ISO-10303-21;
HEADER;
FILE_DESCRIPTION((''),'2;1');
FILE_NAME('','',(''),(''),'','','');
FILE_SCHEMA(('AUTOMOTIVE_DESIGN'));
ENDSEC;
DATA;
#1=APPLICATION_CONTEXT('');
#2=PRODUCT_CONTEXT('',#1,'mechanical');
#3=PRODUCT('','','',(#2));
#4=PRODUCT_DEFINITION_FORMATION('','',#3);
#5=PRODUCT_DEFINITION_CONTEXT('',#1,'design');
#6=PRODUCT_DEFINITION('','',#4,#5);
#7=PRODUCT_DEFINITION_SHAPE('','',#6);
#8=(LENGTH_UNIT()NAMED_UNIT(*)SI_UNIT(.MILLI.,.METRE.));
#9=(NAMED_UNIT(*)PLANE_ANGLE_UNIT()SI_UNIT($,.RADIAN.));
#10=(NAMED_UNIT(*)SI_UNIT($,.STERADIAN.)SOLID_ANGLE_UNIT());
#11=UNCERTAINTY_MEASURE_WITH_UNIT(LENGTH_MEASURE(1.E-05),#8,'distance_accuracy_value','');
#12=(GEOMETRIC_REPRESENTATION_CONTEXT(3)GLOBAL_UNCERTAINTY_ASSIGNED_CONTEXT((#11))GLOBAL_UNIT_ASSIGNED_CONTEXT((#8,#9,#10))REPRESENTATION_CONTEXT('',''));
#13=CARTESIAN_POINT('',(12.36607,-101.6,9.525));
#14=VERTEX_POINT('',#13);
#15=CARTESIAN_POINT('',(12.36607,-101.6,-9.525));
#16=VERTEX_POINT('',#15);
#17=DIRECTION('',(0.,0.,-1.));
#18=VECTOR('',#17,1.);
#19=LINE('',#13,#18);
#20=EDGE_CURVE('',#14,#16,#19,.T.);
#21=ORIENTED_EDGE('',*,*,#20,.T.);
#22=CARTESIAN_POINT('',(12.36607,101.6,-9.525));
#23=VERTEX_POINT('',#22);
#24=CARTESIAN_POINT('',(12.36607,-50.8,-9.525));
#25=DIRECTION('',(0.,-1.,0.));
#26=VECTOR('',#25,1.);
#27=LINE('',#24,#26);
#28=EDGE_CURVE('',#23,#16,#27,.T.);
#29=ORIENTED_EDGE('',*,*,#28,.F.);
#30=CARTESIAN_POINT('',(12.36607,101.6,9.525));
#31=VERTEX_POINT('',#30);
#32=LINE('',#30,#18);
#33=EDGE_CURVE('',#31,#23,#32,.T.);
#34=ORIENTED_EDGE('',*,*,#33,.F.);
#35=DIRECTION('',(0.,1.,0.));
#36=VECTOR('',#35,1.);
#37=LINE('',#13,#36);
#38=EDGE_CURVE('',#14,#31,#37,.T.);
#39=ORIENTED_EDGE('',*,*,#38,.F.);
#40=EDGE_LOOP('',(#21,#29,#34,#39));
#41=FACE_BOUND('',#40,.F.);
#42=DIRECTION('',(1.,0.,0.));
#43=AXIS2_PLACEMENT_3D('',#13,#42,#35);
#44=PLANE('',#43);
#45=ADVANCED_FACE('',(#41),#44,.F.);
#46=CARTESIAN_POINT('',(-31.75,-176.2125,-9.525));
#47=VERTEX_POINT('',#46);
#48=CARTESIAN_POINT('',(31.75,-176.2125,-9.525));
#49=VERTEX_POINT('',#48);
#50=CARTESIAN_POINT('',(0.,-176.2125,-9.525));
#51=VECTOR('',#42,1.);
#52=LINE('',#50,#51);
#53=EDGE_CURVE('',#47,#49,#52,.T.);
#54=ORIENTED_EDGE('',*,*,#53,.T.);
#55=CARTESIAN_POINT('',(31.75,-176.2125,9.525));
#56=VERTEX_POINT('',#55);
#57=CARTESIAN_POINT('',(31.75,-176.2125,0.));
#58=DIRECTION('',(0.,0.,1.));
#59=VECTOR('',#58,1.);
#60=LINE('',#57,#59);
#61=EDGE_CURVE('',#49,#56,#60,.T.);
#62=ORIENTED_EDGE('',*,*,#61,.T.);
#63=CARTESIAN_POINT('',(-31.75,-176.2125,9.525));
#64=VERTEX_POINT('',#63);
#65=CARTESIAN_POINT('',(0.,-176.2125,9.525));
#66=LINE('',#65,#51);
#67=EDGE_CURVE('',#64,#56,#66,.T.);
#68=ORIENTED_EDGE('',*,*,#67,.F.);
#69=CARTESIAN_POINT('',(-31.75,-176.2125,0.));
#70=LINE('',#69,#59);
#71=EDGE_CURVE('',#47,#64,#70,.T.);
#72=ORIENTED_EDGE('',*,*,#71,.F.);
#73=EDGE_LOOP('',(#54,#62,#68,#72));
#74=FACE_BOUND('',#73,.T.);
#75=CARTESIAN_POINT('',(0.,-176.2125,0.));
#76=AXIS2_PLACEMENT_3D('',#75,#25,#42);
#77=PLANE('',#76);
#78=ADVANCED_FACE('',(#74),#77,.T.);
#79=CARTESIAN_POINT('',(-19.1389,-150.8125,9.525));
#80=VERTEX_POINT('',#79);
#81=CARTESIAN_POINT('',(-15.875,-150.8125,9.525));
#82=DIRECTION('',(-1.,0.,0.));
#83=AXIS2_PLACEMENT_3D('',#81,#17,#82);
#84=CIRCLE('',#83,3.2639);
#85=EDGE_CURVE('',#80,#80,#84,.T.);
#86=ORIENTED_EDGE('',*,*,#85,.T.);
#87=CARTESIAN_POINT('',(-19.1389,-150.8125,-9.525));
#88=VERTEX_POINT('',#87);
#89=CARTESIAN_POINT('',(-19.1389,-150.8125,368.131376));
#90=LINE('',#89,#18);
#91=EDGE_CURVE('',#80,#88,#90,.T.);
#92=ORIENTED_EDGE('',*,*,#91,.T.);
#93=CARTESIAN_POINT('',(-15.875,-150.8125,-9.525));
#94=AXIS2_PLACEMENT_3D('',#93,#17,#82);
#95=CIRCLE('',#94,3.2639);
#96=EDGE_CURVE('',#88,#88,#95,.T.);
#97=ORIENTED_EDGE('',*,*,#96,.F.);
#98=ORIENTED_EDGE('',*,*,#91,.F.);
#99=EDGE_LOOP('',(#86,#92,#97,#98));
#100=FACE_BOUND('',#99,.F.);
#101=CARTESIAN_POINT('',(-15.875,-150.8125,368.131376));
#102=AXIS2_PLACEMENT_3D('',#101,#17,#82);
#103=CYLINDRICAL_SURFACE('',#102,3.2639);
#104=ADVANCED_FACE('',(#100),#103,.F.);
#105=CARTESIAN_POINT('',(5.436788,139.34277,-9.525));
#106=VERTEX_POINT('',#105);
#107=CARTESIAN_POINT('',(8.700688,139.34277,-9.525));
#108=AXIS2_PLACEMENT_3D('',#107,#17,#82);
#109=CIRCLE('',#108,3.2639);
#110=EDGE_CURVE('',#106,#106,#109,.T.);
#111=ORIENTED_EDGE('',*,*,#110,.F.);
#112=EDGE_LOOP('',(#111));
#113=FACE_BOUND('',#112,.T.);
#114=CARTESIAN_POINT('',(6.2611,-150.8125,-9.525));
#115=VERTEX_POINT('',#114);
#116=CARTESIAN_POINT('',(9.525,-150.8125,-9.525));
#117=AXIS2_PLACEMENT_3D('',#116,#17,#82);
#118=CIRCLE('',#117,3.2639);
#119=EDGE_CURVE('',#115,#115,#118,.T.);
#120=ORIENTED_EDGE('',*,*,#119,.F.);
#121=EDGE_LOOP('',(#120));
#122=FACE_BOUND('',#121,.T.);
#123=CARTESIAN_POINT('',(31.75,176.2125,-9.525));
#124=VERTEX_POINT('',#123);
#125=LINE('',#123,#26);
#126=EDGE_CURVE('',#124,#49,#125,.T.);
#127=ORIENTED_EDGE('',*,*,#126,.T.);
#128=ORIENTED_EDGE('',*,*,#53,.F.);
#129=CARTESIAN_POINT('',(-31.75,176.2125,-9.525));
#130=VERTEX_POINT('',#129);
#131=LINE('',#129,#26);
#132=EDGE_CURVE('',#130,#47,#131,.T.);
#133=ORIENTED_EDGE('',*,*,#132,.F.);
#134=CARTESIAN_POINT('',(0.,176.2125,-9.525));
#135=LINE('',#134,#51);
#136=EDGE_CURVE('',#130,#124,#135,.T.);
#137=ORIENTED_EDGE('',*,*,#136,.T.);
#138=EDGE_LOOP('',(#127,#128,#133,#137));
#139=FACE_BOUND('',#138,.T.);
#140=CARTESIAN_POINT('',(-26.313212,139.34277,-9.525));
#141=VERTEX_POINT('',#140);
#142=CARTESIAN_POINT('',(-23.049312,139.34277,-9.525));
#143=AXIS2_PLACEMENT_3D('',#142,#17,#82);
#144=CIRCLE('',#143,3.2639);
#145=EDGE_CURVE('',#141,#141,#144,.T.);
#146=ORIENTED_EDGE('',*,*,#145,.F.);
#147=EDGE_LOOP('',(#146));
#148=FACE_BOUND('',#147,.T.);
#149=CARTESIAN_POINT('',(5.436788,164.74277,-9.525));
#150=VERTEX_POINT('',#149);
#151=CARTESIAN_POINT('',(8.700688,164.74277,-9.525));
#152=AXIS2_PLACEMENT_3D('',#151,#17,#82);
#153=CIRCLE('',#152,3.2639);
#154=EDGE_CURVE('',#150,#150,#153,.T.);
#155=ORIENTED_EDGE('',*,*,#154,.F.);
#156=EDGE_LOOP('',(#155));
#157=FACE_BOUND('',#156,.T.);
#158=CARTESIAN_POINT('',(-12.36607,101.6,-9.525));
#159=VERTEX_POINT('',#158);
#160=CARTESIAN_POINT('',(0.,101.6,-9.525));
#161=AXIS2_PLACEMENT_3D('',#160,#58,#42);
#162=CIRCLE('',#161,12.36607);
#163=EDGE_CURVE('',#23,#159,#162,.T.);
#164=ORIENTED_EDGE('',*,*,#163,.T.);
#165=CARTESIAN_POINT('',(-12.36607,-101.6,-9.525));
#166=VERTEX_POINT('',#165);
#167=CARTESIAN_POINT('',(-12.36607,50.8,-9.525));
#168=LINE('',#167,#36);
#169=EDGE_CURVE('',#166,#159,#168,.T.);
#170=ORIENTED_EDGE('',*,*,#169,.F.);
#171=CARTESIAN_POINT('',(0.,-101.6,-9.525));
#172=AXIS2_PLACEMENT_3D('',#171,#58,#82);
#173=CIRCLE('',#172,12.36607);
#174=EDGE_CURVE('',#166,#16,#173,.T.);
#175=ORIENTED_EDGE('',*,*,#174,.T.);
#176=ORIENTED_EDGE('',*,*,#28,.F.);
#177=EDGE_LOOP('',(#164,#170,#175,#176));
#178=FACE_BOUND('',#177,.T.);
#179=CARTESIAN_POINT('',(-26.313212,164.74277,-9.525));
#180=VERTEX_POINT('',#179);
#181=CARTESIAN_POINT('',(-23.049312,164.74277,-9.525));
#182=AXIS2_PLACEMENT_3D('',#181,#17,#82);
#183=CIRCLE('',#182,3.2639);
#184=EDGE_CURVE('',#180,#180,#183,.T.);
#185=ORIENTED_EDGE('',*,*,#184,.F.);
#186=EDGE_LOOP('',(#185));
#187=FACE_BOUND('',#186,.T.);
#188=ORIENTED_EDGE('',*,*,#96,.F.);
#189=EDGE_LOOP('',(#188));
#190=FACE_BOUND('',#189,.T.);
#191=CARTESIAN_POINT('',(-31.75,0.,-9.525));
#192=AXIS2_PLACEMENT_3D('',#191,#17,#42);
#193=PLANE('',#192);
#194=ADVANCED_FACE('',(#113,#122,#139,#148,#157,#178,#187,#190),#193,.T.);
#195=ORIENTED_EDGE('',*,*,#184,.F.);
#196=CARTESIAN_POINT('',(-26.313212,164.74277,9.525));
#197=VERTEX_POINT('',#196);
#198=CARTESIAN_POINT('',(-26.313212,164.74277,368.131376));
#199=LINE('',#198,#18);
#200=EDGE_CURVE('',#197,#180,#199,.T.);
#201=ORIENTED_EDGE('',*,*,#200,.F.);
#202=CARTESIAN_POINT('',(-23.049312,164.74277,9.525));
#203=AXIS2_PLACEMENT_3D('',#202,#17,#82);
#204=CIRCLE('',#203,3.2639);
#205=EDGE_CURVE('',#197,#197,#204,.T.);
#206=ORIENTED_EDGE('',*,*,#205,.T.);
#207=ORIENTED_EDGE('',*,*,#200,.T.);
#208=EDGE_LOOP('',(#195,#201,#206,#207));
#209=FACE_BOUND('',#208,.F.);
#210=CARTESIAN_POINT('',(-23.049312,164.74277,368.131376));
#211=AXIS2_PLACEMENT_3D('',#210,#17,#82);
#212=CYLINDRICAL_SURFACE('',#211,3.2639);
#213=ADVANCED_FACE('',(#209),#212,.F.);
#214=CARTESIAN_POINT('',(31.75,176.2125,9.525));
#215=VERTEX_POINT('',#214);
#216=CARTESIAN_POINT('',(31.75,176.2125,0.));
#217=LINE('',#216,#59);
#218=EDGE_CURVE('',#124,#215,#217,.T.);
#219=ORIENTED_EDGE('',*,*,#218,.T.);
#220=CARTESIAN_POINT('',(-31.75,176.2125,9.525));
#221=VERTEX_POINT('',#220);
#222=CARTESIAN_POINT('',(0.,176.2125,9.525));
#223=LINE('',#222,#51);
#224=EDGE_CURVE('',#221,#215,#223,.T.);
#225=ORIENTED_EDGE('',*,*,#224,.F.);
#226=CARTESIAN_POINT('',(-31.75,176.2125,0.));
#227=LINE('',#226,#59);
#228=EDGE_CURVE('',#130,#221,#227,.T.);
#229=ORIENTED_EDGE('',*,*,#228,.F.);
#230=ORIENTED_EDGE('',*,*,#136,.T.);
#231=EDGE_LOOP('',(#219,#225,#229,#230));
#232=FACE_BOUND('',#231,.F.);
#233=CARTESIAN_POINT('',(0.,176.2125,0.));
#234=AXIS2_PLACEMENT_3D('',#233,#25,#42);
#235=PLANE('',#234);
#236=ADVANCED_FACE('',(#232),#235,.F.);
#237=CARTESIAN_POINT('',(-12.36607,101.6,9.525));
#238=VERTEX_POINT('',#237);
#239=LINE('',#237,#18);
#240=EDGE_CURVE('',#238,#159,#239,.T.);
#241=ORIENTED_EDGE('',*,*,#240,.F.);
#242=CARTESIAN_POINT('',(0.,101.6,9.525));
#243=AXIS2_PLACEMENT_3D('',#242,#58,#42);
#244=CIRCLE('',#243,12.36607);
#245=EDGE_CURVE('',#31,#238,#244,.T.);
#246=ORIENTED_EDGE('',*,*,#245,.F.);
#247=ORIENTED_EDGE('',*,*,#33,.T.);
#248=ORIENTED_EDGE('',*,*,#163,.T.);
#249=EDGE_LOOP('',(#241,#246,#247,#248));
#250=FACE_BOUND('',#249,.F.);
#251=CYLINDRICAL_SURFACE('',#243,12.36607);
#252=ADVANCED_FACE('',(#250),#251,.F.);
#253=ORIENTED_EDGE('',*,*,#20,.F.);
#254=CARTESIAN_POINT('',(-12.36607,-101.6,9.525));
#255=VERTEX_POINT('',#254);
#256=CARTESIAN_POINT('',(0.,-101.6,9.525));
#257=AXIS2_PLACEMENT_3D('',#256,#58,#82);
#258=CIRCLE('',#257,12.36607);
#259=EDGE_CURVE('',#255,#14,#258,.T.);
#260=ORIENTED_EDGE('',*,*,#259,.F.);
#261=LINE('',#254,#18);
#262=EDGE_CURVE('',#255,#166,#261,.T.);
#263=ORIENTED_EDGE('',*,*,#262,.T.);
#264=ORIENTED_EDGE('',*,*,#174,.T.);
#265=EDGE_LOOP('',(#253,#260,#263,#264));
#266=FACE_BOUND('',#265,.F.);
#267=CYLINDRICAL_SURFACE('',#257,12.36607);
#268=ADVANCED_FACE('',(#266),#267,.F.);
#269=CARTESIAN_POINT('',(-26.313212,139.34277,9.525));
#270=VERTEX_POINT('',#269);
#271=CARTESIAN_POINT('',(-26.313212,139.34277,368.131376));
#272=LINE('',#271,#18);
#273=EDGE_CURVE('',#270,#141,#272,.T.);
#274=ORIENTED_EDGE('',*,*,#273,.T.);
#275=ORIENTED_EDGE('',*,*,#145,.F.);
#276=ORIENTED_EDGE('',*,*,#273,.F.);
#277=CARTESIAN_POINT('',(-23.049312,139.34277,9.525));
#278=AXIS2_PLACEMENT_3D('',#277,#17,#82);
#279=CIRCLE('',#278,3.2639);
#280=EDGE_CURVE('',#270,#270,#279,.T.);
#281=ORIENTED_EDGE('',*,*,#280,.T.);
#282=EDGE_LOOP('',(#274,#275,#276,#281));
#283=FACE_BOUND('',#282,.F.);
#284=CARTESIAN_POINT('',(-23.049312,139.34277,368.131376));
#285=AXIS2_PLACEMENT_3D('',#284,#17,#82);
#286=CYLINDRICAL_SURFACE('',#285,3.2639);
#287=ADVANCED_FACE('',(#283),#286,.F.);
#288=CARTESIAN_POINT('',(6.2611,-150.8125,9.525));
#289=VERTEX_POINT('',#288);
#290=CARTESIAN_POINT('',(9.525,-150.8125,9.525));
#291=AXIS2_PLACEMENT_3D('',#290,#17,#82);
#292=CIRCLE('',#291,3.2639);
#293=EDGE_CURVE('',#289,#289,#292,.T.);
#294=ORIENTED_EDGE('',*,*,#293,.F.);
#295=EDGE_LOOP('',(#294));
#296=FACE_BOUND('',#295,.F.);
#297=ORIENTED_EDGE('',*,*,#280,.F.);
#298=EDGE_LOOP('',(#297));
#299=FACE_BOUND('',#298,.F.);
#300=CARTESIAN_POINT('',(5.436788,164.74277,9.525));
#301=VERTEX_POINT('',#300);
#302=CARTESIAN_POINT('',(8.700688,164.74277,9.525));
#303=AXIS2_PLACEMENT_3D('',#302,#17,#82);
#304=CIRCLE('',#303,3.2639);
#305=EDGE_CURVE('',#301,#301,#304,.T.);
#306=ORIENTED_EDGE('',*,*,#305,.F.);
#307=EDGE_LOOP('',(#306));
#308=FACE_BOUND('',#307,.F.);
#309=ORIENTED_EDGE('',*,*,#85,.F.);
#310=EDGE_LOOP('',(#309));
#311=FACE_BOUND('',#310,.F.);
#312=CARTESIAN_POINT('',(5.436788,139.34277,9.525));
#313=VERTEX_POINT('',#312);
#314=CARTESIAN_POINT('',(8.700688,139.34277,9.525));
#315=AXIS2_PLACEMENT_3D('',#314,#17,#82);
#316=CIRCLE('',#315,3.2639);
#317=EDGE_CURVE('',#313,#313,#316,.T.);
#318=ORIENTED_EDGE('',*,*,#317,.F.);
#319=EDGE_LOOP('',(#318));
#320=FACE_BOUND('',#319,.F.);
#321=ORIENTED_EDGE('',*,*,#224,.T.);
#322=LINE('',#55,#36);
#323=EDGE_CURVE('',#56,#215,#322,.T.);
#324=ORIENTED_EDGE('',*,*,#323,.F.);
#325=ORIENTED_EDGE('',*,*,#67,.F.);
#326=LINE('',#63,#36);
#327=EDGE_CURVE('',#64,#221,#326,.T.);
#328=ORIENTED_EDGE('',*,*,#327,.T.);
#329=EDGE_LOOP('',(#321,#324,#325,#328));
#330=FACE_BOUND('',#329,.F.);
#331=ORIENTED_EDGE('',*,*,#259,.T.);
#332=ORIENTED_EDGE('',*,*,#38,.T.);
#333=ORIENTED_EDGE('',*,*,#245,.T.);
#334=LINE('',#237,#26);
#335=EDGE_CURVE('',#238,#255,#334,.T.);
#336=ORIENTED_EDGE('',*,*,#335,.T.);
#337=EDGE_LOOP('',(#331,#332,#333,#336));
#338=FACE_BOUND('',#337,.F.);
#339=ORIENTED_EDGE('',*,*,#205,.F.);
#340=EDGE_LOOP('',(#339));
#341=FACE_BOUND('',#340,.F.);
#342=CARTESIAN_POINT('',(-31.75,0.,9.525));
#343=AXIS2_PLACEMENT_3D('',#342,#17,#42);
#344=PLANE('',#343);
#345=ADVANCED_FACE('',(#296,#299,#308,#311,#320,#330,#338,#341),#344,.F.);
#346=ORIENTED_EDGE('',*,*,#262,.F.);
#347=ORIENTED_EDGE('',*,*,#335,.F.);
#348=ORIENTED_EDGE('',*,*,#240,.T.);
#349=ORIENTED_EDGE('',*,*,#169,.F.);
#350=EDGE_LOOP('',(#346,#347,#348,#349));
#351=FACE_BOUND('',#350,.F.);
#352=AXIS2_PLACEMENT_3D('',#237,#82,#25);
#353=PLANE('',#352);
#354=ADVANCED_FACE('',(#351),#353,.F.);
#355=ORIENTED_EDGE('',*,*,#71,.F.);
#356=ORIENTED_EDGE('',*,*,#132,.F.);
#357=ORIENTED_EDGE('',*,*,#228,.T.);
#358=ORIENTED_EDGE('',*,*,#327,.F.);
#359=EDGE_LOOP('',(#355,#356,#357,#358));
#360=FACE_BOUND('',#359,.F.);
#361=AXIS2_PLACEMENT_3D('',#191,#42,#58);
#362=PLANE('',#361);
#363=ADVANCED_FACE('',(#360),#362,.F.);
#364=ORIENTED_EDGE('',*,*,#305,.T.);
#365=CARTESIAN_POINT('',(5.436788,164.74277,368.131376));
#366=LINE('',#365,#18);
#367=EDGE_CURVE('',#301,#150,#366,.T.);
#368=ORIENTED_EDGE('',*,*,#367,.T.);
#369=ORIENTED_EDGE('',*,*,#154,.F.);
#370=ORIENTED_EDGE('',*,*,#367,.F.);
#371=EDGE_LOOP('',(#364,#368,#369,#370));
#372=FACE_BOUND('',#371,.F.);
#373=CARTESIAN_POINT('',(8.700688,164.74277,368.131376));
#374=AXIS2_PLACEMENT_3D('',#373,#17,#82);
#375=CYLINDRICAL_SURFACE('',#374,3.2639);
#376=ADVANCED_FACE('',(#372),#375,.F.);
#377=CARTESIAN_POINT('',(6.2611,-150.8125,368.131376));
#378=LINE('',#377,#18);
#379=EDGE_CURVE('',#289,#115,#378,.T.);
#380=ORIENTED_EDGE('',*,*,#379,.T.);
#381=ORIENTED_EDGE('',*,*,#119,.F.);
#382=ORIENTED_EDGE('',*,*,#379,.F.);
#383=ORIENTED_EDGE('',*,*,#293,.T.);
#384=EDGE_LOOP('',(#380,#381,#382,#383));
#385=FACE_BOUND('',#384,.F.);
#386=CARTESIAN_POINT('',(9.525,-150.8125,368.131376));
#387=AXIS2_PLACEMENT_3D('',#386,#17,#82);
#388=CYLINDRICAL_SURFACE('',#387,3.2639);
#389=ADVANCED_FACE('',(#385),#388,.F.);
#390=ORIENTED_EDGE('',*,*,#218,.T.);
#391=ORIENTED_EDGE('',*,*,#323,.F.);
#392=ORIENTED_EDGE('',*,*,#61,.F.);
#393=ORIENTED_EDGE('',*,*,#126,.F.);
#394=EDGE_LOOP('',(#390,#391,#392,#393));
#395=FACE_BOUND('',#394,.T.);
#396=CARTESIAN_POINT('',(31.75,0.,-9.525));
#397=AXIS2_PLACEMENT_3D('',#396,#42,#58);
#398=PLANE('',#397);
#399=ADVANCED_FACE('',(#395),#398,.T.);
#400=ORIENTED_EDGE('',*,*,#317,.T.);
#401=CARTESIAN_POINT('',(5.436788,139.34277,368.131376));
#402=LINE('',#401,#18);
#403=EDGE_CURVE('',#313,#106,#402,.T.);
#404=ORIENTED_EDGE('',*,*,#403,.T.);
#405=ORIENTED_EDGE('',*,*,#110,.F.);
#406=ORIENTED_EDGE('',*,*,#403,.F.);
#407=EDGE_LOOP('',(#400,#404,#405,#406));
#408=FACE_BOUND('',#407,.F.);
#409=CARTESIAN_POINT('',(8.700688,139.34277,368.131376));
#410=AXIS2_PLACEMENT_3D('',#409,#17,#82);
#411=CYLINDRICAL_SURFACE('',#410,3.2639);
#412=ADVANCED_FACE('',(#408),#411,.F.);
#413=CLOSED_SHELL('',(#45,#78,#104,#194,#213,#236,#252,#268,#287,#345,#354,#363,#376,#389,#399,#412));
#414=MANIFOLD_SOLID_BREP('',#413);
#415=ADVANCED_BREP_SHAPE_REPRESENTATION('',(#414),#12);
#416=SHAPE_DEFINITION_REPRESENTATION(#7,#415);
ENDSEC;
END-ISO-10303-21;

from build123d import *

# Parameters (mm, degrees)
F0_W     = 63.5
F0_H     = 19.05
F1_DEPTH = 176.2125
F3_D     = 6.5278
F5_DEPTH = 19.051


with BuildPart() as f1:
    # F0 (on Front) → F1 (new body, symmetric)
    with BuildSketch(Plane.XZ):
        Rectangle(F0_W, F0_H)
    extrude(amount=F1_DEPTH, both=True)

    # F3 (through all)
    with Locations(Plane.XY.offset(9.525)):
        with Locations((8.7006882876, 164.7427699804), (8.7006882876, 139.3427699804), (-23.0493117124, 139.3427699804), (-23.0493117124, 164.7427699804), (-15.875, -150.8125), (9.525, -150.8125)):
            Hole(F3_D / 2)

    # F4 (on face) → F5 (cut, through all)
    with BuildSketch(Plane.XY.offset(9.525)):
        with BuildLine():
            Line((-12.3660704418, 101.6), (-12.3660704418, -101.6))
            ThreePointArc((-12.3660704418, -101.6), (0, -113.9660704418), (12.3660704418, -101.6))
            Line((12.3660704418, -101.6), (12.3660704418, 101.6))
            ThreePointArc((12.3660704418, 101.6), (0, 113.9660704418), (-12.3660704418, 101.6))
        make_face()
    extrude(amount=-F5_DEPTH, mode=Mode.SUBTRACT)


solid = f1.part
